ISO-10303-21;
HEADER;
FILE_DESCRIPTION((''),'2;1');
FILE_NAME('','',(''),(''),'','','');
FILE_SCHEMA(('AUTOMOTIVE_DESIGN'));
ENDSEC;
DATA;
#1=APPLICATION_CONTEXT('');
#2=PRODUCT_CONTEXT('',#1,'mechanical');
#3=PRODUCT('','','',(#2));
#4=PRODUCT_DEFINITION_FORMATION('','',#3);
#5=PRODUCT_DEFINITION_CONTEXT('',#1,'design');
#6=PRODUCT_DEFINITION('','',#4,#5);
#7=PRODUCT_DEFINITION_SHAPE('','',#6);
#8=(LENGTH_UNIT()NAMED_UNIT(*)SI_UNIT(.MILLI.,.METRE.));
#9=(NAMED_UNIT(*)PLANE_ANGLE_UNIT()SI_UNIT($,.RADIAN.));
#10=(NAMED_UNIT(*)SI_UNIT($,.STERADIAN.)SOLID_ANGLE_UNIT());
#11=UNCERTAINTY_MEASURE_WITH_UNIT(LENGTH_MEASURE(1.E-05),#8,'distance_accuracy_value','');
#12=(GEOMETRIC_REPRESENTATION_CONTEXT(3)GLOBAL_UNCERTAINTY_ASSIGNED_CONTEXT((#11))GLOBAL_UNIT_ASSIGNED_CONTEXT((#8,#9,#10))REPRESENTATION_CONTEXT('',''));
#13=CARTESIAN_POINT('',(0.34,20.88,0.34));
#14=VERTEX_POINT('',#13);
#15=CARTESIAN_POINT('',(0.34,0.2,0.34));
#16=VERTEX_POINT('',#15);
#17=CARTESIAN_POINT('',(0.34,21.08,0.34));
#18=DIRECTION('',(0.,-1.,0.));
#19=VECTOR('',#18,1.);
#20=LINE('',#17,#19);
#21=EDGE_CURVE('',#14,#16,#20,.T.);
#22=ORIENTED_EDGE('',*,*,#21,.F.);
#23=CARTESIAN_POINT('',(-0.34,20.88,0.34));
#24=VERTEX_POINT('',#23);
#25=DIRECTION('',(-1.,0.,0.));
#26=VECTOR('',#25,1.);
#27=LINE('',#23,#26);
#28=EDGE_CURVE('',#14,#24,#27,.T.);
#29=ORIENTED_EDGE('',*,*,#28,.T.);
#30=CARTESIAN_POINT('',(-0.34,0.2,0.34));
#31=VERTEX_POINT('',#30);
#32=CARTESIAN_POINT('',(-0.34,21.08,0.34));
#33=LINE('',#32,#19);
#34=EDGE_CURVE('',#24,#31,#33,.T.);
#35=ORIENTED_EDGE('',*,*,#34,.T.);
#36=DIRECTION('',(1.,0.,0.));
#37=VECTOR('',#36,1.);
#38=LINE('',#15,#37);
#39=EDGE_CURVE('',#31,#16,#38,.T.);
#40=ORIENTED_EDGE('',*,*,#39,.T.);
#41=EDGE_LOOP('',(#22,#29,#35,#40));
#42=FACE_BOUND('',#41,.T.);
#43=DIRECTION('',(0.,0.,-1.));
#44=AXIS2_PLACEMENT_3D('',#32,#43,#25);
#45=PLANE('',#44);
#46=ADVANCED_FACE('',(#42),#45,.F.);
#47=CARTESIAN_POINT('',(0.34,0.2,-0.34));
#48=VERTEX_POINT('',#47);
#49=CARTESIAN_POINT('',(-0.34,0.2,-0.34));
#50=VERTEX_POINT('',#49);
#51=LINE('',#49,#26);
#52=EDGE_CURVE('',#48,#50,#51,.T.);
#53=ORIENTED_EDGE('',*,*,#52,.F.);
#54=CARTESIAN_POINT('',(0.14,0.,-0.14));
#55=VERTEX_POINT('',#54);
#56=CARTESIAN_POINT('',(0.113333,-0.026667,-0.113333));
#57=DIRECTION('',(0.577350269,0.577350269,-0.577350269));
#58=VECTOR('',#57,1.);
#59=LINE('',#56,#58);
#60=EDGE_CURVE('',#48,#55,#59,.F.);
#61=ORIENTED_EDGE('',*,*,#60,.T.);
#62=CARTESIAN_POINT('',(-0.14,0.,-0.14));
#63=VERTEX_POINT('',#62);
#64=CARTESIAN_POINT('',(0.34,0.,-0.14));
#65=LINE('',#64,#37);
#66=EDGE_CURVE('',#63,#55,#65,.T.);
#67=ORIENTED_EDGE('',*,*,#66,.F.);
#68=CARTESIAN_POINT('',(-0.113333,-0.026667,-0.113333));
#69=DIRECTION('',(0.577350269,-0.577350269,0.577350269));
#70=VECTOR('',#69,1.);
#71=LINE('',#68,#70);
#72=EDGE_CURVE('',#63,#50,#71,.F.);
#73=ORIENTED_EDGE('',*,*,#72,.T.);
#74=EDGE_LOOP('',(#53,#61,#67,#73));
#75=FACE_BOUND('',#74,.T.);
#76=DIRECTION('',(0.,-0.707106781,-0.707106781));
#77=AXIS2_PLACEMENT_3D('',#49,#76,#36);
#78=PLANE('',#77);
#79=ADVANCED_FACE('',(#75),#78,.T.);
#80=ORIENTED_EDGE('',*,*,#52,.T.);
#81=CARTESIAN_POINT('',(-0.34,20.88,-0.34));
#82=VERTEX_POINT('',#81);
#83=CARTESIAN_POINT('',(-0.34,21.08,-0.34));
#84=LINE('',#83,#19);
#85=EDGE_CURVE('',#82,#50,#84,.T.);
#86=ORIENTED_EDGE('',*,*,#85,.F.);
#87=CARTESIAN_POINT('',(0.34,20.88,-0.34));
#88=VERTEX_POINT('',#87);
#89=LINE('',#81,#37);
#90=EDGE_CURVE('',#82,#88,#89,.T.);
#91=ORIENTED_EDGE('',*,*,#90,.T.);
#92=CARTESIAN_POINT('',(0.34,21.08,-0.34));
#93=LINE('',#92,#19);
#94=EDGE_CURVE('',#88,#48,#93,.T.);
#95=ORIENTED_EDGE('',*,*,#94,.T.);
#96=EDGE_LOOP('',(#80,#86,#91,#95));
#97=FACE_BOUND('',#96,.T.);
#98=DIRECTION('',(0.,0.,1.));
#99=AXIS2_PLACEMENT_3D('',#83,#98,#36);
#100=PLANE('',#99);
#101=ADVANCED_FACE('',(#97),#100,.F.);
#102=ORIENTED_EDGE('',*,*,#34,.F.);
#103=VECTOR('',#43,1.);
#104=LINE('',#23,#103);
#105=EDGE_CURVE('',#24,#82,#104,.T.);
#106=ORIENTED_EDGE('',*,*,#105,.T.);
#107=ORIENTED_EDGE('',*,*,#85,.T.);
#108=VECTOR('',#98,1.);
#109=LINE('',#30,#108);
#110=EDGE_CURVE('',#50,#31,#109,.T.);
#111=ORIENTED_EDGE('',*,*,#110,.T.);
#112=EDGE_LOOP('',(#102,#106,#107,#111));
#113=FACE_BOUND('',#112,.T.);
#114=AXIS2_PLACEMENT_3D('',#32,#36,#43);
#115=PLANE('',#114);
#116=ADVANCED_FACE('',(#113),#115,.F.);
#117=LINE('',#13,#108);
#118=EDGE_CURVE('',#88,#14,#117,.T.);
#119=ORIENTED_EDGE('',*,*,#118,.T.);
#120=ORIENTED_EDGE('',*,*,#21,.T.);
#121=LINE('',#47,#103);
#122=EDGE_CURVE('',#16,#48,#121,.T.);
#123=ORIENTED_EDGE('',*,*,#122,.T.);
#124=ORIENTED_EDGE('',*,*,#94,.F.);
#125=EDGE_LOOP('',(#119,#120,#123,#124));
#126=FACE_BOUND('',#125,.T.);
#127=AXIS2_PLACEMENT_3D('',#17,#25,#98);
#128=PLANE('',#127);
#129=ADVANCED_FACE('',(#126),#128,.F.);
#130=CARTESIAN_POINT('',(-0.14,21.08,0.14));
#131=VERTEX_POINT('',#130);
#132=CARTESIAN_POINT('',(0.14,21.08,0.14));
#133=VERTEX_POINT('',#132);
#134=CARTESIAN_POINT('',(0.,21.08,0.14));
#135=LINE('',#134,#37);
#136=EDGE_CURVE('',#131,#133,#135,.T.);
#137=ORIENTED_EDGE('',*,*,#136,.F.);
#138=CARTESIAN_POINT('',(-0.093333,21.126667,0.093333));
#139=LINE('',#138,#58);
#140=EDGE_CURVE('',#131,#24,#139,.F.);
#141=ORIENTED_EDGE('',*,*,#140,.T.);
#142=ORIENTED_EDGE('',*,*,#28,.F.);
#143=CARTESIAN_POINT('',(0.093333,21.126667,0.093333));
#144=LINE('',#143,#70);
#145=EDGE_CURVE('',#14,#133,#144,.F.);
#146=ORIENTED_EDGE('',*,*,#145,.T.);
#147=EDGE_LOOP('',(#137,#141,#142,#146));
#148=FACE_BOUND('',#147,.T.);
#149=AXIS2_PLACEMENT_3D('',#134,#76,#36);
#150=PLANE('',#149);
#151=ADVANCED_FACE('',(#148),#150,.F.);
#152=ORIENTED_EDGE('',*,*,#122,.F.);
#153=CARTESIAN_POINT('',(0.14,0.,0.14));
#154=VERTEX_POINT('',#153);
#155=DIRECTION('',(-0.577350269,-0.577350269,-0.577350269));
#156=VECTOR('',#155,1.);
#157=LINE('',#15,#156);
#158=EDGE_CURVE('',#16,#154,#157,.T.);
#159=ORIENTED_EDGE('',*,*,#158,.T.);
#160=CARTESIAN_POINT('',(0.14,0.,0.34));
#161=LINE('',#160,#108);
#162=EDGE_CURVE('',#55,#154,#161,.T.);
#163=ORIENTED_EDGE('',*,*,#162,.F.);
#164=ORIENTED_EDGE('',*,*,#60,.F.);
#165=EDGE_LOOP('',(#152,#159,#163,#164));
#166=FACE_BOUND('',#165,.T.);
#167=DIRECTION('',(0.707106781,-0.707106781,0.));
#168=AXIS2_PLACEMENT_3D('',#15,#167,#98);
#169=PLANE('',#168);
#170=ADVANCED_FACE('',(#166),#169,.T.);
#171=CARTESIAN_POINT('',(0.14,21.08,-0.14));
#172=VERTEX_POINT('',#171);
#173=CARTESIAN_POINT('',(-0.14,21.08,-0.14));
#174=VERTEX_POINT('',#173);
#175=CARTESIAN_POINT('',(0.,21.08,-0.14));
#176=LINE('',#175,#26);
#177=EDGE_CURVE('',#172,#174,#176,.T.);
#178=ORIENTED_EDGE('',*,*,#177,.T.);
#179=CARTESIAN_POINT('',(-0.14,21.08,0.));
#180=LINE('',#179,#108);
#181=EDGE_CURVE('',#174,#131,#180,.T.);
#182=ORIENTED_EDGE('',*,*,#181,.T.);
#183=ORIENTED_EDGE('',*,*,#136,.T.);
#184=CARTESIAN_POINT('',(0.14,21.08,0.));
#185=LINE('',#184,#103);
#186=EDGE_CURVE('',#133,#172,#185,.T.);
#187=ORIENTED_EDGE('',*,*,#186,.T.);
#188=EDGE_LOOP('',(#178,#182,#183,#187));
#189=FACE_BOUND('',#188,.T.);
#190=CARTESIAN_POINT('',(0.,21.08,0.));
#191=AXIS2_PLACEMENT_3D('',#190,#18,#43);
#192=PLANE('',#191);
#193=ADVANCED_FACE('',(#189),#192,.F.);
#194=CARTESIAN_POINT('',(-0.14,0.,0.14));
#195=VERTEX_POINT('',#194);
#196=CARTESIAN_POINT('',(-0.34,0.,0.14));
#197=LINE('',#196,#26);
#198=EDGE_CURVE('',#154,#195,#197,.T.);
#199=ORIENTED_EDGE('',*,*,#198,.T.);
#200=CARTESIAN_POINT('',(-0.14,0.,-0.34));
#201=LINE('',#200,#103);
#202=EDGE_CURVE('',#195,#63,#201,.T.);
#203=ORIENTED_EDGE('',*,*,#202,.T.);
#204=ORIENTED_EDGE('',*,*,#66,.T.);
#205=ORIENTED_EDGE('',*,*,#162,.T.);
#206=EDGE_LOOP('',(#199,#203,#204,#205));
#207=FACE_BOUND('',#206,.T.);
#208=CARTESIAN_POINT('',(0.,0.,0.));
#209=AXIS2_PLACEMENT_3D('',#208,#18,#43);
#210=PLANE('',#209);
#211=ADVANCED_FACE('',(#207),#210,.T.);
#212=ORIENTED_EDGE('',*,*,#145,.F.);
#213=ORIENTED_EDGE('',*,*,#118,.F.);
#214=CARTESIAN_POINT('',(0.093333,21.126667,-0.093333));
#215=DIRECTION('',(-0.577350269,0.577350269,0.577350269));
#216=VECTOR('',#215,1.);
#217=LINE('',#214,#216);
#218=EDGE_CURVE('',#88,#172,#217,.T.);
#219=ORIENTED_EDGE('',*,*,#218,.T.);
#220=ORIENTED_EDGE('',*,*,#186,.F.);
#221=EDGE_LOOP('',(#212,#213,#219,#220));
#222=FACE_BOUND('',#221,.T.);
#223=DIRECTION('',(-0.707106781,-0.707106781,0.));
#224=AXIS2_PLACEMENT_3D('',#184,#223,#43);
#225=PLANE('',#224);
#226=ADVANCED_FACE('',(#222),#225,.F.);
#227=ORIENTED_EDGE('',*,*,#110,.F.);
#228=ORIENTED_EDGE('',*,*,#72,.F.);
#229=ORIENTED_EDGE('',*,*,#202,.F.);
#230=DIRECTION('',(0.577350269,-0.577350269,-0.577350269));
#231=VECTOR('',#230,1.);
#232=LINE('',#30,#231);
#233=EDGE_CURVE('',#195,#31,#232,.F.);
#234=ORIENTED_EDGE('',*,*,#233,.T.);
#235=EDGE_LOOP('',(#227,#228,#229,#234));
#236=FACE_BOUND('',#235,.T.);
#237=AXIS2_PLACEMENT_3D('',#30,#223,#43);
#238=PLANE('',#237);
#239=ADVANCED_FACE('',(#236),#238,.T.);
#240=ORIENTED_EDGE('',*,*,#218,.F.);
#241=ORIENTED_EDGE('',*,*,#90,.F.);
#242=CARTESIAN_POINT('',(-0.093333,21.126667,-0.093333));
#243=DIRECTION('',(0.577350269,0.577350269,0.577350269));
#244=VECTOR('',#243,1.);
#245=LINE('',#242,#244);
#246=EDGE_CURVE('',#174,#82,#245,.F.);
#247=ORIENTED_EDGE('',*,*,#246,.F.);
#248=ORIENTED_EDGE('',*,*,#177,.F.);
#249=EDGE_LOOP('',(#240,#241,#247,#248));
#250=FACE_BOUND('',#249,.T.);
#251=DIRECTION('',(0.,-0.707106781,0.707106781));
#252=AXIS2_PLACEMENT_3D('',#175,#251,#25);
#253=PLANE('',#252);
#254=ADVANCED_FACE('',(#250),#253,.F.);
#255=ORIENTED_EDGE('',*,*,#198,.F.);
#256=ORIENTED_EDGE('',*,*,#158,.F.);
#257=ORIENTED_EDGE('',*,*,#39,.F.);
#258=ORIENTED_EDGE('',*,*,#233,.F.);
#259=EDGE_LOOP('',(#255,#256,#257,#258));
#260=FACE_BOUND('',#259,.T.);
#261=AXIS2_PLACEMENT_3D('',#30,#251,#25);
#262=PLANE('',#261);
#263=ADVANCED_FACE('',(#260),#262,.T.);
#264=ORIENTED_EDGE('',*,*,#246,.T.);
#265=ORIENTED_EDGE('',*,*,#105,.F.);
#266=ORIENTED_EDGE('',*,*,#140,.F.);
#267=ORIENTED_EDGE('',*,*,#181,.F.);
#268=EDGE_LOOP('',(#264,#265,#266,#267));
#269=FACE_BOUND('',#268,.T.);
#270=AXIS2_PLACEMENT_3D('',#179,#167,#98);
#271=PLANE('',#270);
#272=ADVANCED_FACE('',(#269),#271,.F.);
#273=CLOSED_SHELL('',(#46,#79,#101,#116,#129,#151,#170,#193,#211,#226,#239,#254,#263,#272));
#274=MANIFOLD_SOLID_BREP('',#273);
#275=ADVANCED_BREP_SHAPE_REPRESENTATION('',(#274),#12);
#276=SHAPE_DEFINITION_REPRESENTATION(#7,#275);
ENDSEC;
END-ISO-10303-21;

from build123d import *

# Parameters (mm, degrees)
SKETCH2_W           = 0.68
SKETCH2_H           = 0.68
BOSS_EXTRUDE1_DEPTH = 21.08
CHAMFER1_SIZE       = 0.2


with BuildPart() as part:
    # Sketch2 → Boss-Extrude1 (new body)
    with BuildSketch(Plane(origin=(0, 0, 0), x_dir=(1, 0, 0), z_dir=(0, 1, 0))):
        Rectangle(SKETCH2_W, SKETCH2_H)
    extrude(amount=BOSS_EXTRUDE1_DEPTH)

    # Chamfer1
    chamfer1_edges = [part.edges().sort_by_distance(p)[0] for p in [
        (-0.34, 21.08, 0),
        (0, 21.08, 0.34),
        (0.34, 21.08, 0),
        (0, 0, 0.34),
        (-0.34, 0, 0),
        (0, 0, -0.34),
        (0.34, 0, 0),
        (0, 21.08, -0.34),
    ]]
    chamfer(chamfer1_edges, length=CHAMFER1_SIZE)


solid = part.part
